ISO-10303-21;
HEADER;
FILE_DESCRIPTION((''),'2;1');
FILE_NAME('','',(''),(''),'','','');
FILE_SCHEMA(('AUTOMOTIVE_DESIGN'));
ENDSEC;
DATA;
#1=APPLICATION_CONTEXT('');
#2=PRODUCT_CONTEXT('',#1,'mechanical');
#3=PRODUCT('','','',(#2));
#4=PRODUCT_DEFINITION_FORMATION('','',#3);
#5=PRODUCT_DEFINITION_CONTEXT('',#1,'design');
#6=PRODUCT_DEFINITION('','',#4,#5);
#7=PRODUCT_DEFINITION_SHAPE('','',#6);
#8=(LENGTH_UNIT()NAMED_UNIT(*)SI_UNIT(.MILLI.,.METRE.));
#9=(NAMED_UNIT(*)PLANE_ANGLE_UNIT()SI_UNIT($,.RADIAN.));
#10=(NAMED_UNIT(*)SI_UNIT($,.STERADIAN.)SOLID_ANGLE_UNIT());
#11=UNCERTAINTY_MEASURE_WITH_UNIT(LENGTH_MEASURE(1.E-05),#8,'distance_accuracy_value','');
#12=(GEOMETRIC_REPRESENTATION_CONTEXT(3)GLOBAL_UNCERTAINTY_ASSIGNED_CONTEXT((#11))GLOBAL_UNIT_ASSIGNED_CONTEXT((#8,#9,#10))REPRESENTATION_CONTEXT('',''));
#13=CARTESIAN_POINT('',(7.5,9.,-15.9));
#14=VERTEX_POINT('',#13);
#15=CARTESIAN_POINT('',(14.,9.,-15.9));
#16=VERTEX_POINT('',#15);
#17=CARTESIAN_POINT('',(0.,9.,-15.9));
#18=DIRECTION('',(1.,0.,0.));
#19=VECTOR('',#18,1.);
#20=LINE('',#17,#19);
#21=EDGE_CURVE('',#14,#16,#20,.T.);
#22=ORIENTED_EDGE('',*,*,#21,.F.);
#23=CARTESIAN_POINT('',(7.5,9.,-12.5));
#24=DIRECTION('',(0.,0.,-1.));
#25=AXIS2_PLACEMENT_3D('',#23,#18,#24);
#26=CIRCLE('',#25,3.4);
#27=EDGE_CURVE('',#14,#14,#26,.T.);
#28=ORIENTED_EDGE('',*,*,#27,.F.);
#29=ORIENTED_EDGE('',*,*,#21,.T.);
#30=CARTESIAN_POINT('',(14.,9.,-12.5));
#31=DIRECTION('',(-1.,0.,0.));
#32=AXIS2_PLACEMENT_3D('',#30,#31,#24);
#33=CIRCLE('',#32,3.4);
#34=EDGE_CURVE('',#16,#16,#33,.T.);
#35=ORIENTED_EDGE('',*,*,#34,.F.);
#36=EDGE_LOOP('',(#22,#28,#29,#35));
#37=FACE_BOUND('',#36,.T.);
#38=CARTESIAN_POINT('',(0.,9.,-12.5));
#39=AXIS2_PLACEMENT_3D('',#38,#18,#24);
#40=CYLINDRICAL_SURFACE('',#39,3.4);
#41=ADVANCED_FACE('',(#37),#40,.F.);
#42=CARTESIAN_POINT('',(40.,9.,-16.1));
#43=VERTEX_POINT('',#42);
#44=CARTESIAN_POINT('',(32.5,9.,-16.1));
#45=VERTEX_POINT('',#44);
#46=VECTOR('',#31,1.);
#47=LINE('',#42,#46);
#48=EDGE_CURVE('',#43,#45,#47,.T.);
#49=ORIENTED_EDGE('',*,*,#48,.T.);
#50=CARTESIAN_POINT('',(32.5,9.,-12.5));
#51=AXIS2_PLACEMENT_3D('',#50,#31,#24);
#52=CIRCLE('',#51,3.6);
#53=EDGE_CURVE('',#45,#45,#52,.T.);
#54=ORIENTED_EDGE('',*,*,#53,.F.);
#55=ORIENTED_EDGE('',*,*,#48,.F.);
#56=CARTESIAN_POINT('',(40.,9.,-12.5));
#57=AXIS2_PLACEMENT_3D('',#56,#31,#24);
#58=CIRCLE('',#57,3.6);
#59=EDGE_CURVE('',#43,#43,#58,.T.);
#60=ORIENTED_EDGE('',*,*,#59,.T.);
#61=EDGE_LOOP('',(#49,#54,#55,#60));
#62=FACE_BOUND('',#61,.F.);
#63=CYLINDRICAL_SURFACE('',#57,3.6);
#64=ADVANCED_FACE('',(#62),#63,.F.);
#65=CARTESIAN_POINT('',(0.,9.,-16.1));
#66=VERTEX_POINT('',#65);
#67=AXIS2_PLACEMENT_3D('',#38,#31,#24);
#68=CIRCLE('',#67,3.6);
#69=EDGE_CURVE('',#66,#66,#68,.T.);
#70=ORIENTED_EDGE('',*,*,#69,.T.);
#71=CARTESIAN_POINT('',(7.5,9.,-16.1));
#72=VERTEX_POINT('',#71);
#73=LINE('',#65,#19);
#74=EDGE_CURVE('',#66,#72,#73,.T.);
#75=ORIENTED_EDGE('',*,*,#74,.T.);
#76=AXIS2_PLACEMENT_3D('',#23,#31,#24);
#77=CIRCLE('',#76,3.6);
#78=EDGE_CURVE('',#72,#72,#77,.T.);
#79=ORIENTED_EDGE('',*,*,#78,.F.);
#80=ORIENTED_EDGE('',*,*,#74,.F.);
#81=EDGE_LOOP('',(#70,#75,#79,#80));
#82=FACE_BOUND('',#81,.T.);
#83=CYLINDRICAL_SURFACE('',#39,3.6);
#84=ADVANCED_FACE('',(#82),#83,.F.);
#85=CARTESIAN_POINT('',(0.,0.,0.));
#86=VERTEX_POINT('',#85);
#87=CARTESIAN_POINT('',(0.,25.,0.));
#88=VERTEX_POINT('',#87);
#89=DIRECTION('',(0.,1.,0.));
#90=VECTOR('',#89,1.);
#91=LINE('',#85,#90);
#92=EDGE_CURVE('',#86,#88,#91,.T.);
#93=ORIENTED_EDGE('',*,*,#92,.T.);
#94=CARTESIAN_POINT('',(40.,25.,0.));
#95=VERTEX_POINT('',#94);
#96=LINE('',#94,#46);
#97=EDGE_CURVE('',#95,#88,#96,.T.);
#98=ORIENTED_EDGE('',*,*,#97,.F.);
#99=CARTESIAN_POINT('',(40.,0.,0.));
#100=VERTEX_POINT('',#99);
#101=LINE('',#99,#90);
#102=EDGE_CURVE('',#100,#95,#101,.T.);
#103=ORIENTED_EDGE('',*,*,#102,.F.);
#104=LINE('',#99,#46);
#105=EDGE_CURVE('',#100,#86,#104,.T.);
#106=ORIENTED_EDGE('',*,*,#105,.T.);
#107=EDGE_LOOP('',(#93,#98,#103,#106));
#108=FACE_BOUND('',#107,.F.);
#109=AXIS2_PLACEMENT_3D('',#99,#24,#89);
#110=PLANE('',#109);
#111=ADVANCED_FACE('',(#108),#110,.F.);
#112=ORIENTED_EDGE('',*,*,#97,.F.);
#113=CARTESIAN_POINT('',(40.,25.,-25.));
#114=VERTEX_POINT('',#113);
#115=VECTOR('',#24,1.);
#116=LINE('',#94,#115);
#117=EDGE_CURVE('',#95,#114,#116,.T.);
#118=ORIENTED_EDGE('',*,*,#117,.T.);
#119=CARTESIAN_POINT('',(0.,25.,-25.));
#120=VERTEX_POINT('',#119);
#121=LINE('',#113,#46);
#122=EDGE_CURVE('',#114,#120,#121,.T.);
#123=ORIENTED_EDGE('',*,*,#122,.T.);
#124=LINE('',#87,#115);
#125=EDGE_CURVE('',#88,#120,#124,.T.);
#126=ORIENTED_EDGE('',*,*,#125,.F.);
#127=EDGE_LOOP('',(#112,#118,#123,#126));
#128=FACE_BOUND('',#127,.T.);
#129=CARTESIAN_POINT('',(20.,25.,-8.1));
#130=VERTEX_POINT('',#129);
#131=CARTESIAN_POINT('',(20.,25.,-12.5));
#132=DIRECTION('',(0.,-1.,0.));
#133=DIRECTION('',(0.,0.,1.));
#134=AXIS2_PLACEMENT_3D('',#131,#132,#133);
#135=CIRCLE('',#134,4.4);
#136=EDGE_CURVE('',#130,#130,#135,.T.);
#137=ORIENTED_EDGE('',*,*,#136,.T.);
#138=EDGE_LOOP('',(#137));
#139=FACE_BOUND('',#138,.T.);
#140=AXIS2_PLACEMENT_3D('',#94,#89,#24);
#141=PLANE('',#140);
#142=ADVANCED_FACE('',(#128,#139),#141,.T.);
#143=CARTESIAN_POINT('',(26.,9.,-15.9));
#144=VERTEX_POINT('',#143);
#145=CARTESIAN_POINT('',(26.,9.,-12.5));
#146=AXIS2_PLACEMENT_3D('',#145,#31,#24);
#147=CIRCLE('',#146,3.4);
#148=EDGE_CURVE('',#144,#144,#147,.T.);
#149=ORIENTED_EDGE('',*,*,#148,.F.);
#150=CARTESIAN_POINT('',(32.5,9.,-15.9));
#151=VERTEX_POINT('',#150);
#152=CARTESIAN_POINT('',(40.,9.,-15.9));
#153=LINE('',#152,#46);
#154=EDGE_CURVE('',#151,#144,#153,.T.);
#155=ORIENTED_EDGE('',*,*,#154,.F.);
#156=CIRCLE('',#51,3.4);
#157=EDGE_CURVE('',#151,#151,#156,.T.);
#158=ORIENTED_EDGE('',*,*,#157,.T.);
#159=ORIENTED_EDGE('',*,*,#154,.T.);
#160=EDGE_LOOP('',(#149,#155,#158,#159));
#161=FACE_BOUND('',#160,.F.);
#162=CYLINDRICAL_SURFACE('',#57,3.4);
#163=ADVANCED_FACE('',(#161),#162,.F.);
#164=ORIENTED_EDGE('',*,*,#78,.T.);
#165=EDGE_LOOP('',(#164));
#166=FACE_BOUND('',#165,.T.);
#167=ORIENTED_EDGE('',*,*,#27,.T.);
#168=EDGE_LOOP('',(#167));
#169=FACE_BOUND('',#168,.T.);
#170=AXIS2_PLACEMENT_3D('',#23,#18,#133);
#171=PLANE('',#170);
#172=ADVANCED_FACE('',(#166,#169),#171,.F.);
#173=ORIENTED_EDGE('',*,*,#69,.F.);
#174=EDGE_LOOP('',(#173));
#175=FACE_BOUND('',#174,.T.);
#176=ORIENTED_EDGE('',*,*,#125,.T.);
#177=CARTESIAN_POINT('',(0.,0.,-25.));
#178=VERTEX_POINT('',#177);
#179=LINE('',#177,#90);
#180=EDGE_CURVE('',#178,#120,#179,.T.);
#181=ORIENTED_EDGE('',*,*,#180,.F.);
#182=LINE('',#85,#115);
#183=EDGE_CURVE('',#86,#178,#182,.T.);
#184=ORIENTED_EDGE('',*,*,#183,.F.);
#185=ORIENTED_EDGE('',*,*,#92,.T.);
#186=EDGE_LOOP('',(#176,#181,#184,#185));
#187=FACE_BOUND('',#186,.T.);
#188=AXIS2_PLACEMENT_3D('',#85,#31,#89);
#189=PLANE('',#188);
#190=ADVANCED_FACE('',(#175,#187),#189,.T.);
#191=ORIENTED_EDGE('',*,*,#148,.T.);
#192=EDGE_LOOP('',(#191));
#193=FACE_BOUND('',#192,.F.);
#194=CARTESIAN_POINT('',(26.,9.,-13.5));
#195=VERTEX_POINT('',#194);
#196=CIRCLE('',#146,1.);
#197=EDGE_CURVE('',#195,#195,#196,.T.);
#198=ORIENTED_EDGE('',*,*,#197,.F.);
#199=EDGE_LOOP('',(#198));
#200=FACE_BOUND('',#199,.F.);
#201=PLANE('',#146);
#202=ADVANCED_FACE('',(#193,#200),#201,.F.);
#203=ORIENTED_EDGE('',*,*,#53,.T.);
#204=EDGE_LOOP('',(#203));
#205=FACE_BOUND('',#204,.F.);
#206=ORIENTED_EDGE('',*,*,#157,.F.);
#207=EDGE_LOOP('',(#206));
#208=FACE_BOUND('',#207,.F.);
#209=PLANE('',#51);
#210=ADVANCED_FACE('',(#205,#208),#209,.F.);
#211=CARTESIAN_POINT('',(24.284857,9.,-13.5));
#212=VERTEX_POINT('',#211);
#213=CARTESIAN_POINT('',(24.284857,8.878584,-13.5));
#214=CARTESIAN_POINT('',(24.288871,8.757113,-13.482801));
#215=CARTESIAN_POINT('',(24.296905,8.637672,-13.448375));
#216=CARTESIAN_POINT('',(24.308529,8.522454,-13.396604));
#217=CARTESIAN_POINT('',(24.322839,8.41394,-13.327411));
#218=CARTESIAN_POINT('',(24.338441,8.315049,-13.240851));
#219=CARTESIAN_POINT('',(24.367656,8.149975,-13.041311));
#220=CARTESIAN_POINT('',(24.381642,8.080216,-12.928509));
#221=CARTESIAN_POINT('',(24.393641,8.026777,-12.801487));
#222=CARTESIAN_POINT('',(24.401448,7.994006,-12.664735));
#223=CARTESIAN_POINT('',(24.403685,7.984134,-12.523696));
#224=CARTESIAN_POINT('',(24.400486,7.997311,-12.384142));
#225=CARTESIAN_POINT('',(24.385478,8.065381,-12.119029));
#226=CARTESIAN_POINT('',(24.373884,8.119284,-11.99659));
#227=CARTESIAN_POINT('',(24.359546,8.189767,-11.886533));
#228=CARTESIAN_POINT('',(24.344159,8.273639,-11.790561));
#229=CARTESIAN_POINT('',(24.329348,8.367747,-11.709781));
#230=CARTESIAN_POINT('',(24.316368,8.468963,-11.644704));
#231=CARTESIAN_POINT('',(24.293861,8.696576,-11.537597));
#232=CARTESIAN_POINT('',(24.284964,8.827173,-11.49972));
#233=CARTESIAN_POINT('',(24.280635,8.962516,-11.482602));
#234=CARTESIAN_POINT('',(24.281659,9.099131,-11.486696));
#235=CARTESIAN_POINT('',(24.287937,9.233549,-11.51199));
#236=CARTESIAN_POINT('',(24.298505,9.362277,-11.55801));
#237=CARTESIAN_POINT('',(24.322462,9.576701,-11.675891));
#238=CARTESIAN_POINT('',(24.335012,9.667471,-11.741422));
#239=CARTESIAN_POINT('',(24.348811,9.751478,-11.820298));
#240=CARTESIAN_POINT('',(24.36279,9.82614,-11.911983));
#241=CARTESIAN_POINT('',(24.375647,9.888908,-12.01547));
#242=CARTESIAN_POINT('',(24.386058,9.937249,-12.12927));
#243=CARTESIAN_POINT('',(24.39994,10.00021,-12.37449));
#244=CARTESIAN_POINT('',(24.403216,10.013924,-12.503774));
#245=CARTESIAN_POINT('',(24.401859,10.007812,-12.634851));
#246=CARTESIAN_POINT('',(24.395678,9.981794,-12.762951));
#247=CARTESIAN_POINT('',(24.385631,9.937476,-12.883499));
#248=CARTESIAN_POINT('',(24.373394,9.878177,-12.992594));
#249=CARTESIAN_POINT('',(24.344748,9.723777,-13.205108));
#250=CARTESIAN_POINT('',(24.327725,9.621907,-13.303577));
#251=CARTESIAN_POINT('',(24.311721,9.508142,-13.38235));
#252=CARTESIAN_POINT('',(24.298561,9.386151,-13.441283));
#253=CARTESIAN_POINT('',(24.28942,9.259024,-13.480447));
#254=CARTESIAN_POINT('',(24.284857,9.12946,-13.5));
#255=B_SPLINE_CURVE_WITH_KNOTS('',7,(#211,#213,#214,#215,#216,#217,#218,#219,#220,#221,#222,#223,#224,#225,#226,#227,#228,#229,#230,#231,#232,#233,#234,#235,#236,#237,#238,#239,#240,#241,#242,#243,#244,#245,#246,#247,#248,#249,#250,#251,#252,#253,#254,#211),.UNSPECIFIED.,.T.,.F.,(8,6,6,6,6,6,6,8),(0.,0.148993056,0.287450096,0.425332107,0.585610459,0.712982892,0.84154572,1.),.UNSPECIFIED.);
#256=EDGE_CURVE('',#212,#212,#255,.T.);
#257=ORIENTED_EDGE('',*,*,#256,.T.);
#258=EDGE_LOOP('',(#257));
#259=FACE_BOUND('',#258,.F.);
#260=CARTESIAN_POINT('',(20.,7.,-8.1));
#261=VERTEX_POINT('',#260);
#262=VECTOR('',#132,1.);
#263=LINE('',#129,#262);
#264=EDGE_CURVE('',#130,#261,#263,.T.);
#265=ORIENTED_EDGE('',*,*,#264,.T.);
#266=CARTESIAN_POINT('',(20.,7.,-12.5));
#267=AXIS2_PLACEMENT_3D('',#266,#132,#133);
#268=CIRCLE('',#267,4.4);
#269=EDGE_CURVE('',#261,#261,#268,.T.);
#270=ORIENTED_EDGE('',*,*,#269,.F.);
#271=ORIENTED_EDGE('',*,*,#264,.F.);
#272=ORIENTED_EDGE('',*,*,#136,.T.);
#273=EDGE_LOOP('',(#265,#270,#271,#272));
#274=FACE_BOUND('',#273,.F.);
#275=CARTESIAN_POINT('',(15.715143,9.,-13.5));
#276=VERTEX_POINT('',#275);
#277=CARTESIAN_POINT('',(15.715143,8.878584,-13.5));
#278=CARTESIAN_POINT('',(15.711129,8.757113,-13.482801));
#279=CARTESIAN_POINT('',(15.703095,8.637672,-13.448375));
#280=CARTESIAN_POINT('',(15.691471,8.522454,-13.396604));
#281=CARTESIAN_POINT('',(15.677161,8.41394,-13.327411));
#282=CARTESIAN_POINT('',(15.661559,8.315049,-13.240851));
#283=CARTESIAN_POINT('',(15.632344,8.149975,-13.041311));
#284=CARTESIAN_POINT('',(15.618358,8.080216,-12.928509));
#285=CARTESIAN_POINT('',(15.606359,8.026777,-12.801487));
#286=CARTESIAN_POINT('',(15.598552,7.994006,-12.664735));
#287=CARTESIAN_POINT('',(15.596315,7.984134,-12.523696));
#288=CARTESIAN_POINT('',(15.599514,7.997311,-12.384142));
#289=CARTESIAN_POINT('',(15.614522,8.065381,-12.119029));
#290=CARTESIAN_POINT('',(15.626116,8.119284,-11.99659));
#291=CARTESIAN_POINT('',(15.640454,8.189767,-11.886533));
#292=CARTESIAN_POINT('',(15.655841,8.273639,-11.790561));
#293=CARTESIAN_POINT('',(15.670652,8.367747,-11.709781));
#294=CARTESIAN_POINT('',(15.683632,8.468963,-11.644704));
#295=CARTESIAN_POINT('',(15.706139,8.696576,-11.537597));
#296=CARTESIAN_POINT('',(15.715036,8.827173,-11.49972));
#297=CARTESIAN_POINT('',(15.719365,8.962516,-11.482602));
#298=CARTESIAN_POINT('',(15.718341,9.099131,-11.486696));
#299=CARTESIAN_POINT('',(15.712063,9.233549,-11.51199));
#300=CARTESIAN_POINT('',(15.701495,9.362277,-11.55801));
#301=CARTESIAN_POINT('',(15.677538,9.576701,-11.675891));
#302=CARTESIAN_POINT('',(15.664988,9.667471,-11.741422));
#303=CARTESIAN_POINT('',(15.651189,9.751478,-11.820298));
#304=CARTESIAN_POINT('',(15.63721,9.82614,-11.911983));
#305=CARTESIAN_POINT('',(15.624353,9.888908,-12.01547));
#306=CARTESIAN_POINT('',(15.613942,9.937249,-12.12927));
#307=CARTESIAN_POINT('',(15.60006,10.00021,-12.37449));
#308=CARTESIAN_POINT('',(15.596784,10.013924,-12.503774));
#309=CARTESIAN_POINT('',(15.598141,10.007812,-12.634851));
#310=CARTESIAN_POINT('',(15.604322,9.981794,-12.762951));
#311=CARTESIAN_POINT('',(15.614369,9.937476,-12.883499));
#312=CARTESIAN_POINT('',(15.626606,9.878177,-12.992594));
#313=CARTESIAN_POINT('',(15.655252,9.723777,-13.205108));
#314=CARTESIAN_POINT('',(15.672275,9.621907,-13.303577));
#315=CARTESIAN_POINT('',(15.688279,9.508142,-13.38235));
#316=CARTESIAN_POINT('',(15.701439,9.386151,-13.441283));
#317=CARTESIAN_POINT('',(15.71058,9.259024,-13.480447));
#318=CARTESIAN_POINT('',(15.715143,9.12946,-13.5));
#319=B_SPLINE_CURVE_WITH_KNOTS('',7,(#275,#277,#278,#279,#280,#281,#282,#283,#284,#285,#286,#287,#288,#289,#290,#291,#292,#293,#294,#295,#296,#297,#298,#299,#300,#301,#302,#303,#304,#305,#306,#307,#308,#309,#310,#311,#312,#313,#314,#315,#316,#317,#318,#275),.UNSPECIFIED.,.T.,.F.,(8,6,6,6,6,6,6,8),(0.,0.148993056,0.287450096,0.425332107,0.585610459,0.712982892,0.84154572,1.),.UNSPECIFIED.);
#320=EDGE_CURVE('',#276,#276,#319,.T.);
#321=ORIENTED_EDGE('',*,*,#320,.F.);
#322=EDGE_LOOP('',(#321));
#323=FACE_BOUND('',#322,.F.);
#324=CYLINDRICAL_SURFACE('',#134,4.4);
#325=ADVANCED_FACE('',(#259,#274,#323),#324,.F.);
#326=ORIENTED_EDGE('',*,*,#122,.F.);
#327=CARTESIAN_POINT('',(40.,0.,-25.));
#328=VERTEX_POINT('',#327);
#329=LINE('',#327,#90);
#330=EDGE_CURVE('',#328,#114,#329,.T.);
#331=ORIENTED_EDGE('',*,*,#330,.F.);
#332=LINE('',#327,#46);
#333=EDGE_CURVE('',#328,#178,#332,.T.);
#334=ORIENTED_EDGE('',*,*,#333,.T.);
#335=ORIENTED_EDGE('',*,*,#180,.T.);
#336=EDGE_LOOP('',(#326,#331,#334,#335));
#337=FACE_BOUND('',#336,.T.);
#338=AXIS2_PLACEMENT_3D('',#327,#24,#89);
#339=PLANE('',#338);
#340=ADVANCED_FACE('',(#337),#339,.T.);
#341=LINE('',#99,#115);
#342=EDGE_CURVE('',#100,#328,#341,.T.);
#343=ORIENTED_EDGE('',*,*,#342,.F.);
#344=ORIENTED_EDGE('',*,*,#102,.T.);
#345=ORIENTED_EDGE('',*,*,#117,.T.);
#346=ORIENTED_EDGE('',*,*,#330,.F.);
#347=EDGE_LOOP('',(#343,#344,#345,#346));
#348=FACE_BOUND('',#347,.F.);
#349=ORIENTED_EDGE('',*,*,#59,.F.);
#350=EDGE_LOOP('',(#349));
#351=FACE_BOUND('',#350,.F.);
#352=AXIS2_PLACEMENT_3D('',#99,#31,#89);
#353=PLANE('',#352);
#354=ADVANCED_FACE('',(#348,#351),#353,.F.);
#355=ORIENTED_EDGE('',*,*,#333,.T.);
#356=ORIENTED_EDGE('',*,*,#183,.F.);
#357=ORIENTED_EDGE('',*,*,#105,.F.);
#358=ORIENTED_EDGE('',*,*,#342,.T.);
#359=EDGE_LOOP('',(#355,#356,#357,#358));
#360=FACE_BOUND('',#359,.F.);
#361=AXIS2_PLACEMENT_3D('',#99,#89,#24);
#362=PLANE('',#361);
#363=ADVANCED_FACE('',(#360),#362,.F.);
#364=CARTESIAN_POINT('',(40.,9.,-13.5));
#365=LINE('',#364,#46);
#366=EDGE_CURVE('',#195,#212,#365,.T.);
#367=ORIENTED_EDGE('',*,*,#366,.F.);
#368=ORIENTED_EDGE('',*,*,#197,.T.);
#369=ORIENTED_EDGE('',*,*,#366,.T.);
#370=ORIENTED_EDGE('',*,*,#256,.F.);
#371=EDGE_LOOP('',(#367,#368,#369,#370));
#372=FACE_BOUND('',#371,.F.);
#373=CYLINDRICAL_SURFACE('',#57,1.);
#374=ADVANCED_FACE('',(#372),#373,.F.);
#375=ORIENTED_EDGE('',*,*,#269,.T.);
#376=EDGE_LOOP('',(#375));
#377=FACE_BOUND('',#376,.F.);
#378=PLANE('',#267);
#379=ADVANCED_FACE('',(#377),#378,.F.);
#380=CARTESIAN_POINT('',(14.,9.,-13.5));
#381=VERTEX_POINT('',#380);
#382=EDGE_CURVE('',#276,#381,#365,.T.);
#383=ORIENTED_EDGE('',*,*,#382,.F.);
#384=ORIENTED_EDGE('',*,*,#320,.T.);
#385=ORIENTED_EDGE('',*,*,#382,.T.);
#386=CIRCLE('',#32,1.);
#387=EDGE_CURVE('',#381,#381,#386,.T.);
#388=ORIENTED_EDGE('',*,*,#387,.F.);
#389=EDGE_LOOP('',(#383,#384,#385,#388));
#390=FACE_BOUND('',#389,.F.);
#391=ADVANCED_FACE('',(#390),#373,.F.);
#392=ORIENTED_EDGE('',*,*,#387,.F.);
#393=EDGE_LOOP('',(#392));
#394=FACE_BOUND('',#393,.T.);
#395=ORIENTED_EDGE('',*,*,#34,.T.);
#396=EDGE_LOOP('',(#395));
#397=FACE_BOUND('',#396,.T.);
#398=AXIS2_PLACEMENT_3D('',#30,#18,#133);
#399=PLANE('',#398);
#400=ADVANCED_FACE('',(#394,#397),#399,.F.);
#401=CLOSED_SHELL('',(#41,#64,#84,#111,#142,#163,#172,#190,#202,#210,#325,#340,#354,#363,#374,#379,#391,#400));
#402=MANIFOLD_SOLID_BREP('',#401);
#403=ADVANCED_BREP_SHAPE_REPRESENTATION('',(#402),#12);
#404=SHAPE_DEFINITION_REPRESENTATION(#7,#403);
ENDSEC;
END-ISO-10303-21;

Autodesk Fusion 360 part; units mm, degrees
box "BoxPrimitive1" add length 25 width 40 height 25 placed x (0, 0, -1) y (-1, 0, 0) z (0, 1, 0) at (40, 0, 0)
hole "Hole1" at (20, 25, -12.5) direction (0, -1, 0) diameter 8.8 depth 18 tip angle 180
sketch "Sketch2" plane through (40, 0, 0) normal (1, 0, 0) x (0, 0, -1)
  line L0 (0, 25) -> (0, 0)
  line L1 (0, 0) -> (25, 0)
  line L2 (25, 0) -> (25, 25)
  line L3 (25, 25) -> (0, 25)
  line L4 (12.5, 25) -> (12.5, 7) construction
  point P0 (12.5, 9)
  dimension "d9" = 18
  dimension "d10" = 2
hole "Hole2" at (40, 9, -12.5) direction (-1, 0, 0) diameter 2 end through all
hole "Hole3" at (40, 9, -12.5) direction (-1, 0, 0) diameter 6.8 depth 14 tip angle 180
hole "Hole5" at (40, 9, -12.5) direction (-1, 0, 0) diameter 7.2 depth 7.5 tip angle 180
ref_plane "WorkPlane1" through (20, 12.5, -12.5) normal (-1, 0, 0) x (0, 1, 0)
mirror "Mirror1" about plane through (20, 12.5, -12.5) normal (-1, 0, 0) of "Hole3", "Hole5"
ref_plane "WorkPlane2" through (20, 12.5, -12.5) normal (0, 0, 1) x (0, 1, 0)
